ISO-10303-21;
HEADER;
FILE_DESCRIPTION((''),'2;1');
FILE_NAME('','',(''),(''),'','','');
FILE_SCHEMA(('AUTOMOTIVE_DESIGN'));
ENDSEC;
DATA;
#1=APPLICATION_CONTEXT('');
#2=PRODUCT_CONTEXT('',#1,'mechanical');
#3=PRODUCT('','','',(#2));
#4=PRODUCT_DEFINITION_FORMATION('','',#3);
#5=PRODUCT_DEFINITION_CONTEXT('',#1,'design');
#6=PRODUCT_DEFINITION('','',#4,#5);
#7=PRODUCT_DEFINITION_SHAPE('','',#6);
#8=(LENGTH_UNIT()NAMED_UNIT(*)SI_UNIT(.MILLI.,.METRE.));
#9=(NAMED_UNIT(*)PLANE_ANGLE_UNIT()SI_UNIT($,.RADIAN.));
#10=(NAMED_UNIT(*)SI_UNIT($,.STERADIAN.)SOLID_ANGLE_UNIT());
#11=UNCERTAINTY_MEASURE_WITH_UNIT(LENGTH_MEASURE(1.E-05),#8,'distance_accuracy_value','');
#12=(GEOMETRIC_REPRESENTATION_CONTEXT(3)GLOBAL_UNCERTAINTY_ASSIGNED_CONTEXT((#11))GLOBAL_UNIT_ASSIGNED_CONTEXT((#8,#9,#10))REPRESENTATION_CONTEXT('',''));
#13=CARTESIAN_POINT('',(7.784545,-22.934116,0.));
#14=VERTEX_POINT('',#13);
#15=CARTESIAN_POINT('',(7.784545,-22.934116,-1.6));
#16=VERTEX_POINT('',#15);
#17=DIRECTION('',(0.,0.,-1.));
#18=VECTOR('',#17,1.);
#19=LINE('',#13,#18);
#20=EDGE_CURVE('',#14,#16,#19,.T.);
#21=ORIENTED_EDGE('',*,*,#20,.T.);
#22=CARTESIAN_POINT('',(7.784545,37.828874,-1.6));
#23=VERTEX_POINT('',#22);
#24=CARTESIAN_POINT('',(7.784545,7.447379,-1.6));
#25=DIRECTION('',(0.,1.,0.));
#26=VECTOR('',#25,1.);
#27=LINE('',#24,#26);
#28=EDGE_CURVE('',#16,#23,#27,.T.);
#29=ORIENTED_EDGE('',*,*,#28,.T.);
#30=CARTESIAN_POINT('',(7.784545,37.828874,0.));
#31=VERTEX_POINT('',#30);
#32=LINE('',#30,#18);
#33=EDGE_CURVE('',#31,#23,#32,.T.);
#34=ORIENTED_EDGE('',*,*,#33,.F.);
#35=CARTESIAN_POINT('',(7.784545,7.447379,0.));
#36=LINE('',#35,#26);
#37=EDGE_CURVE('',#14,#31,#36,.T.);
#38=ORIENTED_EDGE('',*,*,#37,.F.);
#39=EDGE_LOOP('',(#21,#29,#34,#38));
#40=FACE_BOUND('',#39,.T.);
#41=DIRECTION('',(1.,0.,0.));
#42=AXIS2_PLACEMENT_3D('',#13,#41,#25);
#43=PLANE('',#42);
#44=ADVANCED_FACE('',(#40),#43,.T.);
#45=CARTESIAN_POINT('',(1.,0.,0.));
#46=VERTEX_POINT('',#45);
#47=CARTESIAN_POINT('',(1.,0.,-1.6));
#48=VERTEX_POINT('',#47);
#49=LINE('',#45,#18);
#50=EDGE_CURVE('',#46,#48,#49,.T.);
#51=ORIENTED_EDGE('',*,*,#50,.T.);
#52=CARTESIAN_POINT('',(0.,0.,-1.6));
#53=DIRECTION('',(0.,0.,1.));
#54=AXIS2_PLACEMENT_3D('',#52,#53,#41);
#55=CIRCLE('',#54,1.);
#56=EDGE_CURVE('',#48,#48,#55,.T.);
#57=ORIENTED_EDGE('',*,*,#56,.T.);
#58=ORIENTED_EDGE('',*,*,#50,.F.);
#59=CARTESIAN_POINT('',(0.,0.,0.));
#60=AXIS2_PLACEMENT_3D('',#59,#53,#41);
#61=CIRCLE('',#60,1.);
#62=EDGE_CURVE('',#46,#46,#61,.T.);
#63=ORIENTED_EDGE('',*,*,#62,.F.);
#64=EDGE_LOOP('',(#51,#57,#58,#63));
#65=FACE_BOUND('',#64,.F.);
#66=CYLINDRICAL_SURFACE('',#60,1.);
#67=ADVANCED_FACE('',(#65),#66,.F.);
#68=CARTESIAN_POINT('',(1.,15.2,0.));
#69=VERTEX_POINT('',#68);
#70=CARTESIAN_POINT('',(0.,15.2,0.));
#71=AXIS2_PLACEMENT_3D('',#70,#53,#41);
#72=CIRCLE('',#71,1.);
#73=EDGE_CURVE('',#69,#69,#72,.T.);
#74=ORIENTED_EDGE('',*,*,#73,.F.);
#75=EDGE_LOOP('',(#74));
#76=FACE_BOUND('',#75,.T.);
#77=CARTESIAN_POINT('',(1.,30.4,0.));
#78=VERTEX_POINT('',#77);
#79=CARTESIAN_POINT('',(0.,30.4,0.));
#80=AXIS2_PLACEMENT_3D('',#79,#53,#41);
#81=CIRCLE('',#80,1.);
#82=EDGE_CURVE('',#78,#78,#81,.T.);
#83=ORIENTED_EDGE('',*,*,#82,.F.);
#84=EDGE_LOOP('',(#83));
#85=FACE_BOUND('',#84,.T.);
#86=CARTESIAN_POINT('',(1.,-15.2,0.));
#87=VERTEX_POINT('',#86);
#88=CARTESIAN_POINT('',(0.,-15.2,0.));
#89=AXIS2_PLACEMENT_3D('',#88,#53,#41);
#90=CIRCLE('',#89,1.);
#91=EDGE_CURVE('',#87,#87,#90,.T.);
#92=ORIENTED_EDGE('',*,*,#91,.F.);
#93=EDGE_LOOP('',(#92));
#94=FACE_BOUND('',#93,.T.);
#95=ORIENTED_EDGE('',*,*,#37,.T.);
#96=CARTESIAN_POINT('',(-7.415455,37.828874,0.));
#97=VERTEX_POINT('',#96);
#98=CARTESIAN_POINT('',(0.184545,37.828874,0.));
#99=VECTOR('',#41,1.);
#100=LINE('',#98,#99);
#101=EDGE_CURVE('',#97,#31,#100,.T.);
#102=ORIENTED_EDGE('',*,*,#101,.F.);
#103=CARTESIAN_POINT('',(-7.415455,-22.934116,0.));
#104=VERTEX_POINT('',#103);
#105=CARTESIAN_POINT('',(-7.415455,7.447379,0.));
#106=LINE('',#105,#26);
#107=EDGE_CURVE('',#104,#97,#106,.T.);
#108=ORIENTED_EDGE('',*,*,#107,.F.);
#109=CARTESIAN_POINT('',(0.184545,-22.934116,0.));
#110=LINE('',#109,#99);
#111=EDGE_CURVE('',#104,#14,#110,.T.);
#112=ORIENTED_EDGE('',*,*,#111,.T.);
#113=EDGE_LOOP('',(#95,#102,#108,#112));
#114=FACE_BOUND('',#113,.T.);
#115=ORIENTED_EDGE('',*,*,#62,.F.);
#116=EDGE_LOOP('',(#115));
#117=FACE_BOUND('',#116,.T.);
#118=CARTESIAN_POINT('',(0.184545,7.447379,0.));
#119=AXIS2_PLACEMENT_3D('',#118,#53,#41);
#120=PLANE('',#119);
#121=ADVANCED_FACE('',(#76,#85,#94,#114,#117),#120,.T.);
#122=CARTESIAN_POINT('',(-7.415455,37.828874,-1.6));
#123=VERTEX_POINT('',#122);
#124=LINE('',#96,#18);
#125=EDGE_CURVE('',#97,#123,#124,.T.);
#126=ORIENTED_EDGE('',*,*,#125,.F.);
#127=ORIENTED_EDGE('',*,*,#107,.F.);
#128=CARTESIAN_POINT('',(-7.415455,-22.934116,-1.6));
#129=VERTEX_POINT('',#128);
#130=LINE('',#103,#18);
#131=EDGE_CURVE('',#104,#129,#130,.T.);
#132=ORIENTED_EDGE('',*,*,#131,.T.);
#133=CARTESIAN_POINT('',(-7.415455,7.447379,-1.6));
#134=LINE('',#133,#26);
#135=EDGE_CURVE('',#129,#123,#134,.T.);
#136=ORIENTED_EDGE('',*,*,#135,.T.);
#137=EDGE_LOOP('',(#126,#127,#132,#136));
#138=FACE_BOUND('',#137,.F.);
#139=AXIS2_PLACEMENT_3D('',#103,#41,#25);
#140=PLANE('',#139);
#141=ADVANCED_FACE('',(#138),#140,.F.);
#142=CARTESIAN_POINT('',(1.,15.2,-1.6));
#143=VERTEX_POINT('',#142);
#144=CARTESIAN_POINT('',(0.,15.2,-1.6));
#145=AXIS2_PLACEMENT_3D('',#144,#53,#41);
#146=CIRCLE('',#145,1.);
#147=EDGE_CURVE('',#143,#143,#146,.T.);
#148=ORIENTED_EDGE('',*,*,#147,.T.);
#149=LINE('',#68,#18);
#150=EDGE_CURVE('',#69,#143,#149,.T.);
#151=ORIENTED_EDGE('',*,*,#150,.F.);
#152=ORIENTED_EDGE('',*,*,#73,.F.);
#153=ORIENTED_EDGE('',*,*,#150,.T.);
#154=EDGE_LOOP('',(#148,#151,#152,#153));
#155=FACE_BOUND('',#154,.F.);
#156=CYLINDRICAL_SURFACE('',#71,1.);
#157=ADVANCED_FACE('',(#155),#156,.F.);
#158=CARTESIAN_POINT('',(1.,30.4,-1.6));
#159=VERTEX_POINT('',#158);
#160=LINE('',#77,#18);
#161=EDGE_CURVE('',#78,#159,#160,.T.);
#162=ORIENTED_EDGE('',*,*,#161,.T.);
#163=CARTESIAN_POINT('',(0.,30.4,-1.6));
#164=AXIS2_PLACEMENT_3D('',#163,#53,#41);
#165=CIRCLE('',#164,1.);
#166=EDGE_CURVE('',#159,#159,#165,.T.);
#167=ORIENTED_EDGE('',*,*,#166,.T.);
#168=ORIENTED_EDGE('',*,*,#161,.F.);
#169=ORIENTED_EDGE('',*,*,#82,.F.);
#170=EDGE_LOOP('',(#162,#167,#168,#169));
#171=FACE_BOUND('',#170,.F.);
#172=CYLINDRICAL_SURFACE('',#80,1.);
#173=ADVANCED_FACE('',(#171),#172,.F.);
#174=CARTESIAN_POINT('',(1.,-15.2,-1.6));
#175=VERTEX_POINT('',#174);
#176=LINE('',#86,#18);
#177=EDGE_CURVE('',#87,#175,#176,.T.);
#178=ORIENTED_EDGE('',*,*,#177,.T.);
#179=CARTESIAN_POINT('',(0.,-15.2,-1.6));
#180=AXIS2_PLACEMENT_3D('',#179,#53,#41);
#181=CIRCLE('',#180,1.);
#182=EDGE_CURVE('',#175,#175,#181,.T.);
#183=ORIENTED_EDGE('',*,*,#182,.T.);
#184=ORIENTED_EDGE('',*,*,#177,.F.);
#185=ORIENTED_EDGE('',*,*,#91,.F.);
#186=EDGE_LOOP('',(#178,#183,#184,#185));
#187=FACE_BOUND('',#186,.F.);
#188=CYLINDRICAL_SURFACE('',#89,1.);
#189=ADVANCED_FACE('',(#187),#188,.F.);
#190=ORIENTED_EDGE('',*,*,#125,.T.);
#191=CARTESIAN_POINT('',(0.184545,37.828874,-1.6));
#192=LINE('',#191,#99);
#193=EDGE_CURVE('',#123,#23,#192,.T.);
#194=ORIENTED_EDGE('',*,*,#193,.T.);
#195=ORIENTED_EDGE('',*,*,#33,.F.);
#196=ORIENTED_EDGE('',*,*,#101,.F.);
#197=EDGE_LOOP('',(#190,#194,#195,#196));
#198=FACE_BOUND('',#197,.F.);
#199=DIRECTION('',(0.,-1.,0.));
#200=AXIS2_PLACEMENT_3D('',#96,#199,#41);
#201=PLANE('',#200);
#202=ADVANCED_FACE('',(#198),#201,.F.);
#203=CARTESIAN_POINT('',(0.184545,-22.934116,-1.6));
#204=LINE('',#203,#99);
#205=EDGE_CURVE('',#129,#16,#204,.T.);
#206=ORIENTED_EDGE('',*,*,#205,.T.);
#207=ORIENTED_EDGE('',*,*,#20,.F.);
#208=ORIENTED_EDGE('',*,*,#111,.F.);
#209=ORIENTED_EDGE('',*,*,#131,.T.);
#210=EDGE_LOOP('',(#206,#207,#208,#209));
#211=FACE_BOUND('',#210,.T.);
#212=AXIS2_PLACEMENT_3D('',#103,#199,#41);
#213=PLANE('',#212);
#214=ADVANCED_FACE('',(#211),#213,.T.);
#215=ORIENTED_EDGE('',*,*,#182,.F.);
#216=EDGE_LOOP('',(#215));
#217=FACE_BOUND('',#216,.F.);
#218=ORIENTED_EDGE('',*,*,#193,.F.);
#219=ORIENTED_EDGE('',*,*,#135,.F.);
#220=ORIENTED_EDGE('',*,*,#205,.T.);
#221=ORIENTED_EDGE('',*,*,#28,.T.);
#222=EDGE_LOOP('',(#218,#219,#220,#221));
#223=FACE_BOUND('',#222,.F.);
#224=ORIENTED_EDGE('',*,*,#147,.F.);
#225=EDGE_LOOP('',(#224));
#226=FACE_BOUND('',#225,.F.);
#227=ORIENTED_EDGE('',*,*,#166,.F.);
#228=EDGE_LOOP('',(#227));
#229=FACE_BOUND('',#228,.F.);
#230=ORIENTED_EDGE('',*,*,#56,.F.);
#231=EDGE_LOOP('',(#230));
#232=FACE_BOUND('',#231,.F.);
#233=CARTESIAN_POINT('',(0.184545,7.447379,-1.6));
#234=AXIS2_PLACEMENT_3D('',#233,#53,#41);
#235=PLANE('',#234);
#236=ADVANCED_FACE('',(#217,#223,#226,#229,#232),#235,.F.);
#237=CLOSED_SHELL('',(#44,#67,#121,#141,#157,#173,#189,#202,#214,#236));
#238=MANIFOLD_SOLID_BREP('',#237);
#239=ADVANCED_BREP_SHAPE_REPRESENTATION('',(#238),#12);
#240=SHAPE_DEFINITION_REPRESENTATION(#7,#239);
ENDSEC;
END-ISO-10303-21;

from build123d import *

# Parameters (mm, degrees)
F1_W     = 15.2
F1_H     = 60.76299
F2_DEPTH = 1.6
F0_R     = 1
F3_DEPTH = 25


with BuildPart() as f2:
    # F1 (on Top) → F2 (new body)
    with BuildSketch(Plane.XY):
        with Locations((0.184545, 7.447379)):
            Rectangle(F1_W, F1_H)
    extrude(amount=-F2_DEPTH)

    # F0 (on Top) → F3 (cut)
    with BuildSketch(Plane.XY):
        Circle(F0_R)
        with Locations((0, 15.2)):
            Circle(F0_R)
        with Locations((0, 30.4)):
            Circle(F0_R)
        with Locations((0, -15.2)):
            Circle(F0_R)
    extrude(amount=-F3_DEPTH, mode=Mode.SUBTRACT)


solid = f2.part
